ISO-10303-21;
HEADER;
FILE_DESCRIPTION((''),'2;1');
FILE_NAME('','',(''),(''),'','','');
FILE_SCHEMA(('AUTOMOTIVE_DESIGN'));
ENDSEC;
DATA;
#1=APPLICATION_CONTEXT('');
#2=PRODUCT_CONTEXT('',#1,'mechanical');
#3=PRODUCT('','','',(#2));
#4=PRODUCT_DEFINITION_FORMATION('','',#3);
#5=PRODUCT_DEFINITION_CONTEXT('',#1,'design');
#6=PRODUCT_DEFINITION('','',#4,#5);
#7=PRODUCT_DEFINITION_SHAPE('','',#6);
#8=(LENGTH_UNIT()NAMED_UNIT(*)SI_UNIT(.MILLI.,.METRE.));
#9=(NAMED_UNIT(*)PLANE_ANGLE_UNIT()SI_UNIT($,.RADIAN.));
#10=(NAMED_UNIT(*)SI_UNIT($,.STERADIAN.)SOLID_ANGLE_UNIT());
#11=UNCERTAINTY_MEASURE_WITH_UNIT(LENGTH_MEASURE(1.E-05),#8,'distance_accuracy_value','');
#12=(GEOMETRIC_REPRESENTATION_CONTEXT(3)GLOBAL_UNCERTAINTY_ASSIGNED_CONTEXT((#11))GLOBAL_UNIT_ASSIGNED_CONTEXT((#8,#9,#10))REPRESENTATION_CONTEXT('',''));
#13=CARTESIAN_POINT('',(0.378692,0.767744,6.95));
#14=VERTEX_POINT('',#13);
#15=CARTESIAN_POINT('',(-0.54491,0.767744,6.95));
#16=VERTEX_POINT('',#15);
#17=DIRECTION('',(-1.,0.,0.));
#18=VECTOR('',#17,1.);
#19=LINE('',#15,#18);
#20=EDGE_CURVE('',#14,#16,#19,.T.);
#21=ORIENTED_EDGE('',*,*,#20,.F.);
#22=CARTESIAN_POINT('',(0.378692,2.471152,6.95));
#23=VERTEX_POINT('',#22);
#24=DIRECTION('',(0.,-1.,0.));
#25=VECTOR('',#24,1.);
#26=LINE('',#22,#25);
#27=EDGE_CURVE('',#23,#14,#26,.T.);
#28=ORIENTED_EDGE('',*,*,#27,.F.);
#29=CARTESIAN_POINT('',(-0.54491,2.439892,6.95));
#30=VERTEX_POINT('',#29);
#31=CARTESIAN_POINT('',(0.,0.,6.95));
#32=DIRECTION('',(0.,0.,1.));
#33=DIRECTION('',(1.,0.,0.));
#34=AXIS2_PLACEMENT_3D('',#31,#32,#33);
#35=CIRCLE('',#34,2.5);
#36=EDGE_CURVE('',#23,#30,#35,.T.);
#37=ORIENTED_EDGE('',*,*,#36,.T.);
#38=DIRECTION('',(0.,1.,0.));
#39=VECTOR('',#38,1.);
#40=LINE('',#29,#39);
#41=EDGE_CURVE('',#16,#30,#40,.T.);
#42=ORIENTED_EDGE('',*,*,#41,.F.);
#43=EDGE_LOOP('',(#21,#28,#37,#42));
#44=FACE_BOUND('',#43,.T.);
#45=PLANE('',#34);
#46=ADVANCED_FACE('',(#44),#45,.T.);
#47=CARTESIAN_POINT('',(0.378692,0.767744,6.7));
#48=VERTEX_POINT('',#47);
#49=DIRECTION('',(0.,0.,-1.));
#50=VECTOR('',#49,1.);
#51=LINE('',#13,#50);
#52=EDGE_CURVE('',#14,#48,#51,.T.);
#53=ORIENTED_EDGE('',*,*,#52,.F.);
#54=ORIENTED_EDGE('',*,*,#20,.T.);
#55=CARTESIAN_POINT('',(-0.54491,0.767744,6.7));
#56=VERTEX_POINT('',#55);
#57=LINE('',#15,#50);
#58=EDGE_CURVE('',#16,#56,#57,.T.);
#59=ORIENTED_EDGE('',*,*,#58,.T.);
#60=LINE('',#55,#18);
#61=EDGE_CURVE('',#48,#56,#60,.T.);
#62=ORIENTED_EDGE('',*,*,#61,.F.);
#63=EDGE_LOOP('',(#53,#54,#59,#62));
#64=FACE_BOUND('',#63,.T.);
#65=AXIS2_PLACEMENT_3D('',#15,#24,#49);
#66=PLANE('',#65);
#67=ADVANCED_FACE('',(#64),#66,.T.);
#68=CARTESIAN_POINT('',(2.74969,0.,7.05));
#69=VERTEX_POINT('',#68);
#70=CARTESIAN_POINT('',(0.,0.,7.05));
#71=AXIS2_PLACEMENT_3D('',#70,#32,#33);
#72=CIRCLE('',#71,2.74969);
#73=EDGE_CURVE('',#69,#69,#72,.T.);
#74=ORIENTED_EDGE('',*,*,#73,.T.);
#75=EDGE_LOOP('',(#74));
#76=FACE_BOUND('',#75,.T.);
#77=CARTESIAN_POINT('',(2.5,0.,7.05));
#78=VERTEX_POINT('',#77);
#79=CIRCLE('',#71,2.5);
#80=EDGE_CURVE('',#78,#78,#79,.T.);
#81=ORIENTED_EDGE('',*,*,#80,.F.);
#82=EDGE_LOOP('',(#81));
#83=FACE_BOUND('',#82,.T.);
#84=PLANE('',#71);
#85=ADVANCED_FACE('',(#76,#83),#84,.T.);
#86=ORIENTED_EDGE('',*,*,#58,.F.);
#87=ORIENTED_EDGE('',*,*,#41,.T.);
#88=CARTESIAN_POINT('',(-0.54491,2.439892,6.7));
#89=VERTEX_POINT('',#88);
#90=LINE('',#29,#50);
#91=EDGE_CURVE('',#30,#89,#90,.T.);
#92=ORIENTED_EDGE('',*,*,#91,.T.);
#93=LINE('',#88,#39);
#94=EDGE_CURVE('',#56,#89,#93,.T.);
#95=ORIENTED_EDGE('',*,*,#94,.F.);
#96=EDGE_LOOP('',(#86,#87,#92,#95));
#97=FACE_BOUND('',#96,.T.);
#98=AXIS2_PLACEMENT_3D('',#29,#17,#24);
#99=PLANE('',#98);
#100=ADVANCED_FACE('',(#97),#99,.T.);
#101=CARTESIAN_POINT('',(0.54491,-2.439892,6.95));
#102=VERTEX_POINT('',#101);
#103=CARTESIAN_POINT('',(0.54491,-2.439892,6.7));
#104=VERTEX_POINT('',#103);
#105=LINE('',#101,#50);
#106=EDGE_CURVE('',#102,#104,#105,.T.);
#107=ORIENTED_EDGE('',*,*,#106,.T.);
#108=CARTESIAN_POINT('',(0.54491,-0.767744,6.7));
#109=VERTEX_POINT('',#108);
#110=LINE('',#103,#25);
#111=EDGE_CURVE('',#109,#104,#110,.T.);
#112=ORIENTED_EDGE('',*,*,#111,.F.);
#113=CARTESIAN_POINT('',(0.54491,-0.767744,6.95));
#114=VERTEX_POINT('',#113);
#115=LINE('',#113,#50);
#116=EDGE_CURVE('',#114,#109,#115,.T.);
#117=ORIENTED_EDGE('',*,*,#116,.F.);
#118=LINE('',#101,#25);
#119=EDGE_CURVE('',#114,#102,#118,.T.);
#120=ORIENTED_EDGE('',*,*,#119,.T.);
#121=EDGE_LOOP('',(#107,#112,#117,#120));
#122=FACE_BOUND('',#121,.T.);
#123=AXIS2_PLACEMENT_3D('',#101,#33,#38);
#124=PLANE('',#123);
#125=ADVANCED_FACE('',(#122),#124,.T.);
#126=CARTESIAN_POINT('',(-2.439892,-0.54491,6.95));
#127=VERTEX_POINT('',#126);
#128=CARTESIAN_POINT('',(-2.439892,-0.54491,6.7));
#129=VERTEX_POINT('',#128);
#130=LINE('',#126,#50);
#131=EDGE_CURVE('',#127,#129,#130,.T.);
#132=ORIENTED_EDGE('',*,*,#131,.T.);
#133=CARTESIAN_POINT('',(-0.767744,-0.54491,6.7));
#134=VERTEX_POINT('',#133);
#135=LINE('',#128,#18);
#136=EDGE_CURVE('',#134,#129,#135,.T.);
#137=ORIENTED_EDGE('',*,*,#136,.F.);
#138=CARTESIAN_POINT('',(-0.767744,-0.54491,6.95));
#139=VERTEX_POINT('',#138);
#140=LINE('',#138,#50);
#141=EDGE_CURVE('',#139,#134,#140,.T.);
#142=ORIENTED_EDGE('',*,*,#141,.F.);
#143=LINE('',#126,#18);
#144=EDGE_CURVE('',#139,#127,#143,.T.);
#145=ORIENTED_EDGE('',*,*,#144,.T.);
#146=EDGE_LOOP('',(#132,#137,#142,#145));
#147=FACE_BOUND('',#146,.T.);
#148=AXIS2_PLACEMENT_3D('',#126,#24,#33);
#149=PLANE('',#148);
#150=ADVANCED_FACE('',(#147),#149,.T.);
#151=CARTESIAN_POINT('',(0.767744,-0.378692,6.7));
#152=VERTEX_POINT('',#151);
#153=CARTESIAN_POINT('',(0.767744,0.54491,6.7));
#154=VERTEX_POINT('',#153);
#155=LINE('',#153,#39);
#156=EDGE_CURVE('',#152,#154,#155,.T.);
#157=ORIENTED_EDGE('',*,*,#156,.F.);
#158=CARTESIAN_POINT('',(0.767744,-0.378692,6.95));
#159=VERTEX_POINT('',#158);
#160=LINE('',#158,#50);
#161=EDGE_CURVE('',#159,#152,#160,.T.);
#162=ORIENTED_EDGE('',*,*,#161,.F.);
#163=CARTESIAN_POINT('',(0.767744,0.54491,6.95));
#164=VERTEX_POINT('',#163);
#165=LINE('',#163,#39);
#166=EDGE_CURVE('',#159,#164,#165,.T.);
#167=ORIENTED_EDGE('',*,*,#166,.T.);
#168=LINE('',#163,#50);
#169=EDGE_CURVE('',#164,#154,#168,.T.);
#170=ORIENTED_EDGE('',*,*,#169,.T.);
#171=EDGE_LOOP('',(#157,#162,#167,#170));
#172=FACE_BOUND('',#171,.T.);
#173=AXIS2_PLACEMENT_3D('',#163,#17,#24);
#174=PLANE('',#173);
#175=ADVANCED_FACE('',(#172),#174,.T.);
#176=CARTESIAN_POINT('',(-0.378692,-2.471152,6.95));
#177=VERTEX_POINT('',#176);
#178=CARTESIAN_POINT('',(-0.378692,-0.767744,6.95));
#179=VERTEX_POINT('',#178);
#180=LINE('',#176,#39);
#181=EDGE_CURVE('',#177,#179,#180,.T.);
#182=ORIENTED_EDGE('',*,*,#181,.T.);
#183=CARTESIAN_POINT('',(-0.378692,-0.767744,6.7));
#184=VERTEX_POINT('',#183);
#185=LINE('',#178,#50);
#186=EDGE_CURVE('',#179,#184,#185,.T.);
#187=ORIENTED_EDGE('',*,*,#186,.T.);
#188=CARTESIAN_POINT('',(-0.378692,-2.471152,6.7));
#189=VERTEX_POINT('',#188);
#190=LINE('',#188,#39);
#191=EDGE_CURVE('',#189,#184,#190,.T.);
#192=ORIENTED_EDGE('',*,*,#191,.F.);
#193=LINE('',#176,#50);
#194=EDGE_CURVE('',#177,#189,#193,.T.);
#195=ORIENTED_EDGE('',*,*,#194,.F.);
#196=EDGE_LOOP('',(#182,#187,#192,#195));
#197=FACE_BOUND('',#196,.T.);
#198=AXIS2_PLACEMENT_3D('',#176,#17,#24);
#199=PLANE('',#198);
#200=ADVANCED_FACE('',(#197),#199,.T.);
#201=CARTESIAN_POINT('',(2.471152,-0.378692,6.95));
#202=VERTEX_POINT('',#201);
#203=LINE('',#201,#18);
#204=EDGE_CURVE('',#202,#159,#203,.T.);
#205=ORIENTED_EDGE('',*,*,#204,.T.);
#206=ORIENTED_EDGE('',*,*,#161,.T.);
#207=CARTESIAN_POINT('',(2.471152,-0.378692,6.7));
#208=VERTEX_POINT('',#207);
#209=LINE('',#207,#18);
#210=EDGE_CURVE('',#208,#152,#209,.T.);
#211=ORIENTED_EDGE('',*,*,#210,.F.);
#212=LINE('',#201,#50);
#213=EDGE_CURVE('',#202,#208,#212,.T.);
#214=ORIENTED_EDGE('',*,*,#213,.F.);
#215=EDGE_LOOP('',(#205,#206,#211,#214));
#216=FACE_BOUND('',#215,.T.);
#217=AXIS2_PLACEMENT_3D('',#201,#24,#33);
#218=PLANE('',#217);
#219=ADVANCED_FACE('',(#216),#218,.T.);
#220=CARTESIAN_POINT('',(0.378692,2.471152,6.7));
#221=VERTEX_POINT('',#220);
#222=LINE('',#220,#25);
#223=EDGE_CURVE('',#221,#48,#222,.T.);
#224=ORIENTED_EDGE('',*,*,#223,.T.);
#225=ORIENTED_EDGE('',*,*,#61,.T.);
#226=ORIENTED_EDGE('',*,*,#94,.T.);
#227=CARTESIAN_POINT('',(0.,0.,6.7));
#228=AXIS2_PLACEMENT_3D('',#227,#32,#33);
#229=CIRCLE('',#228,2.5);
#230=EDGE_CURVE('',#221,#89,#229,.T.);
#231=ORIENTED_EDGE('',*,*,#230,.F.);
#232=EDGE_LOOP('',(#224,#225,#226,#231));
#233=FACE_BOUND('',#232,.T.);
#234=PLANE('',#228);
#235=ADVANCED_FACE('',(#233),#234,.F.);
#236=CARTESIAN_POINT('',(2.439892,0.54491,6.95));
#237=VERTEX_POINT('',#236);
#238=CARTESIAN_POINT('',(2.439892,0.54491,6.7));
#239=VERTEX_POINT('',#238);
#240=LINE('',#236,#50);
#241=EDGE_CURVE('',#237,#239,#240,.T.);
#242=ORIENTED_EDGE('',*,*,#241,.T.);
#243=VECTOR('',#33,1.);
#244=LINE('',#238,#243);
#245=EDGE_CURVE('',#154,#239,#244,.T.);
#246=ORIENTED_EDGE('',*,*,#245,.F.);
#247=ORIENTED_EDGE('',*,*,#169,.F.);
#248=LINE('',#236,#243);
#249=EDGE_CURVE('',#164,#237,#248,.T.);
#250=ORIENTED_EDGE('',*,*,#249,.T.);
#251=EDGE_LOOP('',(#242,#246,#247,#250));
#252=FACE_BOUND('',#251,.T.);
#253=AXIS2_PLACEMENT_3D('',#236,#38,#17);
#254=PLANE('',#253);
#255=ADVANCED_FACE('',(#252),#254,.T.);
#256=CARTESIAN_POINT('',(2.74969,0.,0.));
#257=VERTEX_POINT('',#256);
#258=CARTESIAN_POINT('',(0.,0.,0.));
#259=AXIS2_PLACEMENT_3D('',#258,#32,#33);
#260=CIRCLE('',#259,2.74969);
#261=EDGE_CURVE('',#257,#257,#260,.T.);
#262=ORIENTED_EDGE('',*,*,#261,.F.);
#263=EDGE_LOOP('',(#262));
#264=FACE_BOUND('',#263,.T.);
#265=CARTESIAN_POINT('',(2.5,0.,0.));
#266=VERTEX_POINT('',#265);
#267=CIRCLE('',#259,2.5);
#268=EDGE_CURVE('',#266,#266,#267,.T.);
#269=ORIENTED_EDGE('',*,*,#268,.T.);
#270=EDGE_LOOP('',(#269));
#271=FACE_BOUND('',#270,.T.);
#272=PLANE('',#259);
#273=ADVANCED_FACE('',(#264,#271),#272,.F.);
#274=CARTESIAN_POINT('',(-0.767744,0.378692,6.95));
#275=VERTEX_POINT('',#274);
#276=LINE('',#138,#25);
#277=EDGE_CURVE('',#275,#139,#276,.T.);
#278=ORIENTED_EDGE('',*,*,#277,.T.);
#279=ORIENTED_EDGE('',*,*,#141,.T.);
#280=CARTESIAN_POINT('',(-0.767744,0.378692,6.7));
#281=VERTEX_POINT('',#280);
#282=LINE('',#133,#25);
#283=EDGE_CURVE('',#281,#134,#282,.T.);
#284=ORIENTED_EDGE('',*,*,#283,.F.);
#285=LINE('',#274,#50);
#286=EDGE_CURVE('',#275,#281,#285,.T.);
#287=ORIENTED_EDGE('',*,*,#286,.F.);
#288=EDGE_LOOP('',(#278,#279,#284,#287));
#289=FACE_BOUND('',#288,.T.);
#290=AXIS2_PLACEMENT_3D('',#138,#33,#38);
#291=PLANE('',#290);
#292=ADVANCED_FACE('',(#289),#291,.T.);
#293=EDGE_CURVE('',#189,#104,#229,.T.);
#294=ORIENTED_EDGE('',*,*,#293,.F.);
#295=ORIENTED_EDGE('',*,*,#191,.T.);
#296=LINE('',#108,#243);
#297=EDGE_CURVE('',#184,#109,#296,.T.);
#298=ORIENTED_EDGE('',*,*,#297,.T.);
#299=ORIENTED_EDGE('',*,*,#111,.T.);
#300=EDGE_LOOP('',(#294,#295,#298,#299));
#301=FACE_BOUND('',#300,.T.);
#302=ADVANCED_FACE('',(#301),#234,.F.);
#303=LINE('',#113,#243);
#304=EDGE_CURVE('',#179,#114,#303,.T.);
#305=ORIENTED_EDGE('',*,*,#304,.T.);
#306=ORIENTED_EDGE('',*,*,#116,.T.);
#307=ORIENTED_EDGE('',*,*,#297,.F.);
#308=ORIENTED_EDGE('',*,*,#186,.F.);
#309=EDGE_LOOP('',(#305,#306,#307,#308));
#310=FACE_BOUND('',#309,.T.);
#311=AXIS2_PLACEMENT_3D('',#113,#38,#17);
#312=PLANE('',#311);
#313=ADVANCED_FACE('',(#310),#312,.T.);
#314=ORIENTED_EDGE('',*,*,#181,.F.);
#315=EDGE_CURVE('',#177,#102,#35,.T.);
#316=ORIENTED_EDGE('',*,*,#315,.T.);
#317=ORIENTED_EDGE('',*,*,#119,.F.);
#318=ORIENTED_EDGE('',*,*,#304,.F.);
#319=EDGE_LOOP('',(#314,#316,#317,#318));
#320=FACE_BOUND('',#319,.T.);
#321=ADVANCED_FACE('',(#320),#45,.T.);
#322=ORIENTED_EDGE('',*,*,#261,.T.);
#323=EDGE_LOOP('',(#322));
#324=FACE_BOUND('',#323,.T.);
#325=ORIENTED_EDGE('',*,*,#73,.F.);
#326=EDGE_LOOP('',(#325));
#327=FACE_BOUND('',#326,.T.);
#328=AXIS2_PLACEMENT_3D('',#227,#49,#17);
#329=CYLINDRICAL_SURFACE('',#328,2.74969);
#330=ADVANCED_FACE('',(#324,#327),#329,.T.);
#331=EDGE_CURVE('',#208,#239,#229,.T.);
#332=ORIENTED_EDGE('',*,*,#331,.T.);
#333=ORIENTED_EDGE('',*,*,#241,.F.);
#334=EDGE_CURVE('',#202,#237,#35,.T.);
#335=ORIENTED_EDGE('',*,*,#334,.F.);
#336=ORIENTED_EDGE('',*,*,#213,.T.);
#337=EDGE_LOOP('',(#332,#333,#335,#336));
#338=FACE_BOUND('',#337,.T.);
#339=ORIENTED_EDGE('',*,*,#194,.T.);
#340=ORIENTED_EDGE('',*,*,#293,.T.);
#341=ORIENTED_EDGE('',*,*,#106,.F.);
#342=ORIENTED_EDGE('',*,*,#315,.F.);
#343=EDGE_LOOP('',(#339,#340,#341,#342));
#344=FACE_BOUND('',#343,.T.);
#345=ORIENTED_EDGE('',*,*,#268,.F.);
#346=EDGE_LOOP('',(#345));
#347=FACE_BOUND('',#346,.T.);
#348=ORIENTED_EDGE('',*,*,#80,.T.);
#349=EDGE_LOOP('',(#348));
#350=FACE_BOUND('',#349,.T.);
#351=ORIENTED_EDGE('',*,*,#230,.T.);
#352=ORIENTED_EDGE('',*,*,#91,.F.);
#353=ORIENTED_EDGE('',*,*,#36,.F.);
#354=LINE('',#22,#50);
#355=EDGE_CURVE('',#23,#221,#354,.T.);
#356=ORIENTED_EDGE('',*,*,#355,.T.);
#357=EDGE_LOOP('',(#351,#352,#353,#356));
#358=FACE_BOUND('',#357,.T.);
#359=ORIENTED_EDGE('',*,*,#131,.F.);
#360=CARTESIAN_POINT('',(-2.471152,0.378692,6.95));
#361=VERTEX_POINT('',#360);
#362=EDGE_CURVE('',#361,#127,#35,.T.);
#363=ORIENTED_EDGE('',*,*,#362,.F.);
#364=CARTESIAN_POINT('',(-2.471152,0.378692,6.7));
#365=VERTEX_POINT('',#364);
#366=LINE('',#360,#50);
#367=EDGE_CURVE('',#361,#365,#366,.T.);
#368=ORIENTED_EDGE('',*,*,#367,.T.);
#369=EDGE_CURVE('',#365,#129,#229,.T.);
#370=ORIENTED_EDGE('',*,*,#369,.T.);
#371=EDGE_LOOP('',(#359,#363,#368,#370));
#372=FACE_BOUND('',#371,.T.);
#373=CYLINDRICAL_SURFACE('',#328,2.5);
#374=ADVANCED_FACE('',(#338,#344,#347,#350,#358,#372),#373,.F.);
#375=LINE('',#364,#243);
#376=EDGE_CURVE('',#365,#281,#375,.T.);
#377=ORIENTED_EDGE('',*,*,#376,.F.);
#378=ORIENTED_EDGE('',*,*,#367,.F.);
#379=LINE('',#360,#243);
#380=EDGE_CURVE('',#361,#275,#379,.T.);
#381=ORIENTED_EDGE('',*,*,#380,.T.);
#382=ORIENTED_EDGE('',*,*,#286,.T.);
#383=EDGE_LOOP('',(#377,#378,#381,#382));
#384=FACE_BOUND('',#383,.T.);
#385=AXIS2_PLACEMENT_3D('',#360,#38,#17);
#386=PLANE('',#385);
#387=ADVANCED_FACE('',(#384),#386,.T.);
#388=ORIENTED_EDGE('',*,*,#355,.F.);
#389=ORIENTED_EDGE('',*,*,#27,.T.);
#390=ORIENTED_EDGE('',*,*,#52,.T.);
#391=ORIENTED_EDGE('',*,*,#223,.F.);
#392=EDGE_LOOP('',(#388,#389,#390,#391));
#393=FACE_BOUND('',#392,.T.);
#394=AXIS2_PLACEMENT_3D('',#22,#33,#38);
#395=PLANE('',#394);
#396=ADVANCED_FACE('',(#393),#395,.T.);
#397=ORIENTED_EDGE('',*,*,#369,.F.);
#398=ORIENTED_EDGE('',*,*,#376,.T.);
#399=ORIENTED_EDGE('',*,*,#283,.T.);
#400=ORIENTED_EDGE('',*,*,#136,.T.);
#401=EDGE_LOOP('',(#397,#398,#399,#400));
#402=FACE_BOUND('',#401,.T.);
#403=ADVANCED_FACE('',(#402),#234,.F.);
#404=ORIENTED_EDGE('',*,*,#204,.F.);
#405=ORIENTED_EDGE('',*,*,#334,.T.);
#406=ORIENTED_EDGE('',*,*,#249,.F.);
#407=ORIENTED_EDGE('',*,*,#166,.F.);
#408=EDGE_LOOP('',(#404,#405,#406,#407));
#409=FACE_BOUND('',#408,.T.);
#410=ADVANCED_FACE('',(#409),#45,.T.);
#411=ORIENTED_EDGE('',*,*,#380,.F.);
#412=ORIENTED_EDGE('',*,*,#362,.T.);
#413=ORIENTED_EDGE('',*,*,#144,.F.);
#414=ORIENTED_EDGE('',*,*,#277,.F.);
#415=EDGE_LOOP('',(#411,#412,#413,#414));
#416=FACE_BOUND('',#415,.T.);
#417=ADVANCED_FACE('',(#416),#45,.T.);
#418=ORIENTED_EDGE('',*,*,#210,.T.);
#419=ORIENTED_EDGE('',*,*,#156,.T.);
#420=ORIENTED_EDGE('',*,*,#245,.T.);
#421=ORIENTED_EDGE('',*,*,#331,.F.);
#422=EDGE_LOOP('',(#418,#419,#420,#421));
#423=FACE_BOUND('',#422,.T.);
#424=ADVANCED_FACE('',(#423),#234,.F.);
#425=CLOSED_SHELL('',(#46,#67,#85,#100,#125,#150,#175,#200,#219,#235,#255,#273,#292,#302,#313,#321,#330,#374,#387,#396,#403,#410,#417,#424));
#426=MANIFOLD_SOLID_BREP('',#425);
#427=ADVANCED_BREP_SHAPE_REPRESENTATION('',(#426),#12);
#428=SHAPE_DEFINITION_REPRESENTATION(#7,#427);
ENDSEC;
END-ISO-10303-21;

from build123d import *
from build123d.topology import SkipClean

# Parameters (mm, degrees)
ESQUISSE1_R        = 2.749689511
ESQUISSE1_R_2      = 2.5
BOSS_EXTRU_1_DEPTH = 6.7
ESQUISSE2_R        = 2.749689511
BOSS_EXTRU_2_DEPTH = 0.25
ESQUISSE3_R        = 2.749689511
ESQUISSE3_R_2      = 2.5
BOSS_EXTRU_4_DEPTH = 0.1


with BuildPart() as part:
    # Esquisse1 → Boss.-Extru.1 (new body)
    with BuildSketch(Plane.XY):
        Circle(ESQUISSE1_R)
        Circle(ESQUISSE1_R_2, mode=Mode.SUBTRACT)
    extrude(amount=BOSS_EXTRU_1_DEPTH)

    # Esquisse2 → Boss.-Extru.2 (add)
    with SkipClean():  # the faces are left unmerged after this step: merging them gives an invalid solid
        with BuildSketch(Plane.XY.offset(6.7)):
            Circle(ESQUISSE2_R)
            with BuildLine():
                Line((2.439891921, 0.544910465), (0.767744305, 0.544910465))
                Line((0.767744305, 0.544910465), (0.767744305, -0.378691706))
                Line((0.767744305, -0.378691706), (2.471152078, -0.378691706))
                ThreePointArc((2.471152078, -0.378691706), (1.826552736, -1.70695785), (0.544910465, -2.439891921))
                Line((0.544910465, -2.439891921), (0.544910465, -0.767744305))
                Line((0.544910465, -0.767744305), (-0.378691706, -0.767744305))
                Line((-0.378691706, -0.767744305), (-0.378691706, -2.471152078))
                ThreePointArc((-0.378691706, -2.471152078), (-1.70695785, -1.826552736), (-2.439891921, -0.544910465))
                Line((-2.439891921, -0.544910465), (-0.767744305, -0.544910465))
                Line((-0.767744305, -0.544910465), (-0.767744305, 0.378691706))
                Line((-0.767744305, 0.378691706), (-2.471152078, 0.378691706))
                ThreePointArc((-2.471152078, 0.378691706), (-1.826552736, 1.70695785), (-0.544910465, 2.439891921))
                Line((-0.544910465, 2.439891921), (-0.544910465, 0.767744305))
                Line((-0.544910465, 0.767744305), (0.378691706, 0.767744305))
                Line((0.378691706, 0.767744305), (0.378691706, 2.471152078))
                ThreePointArc((0.378691706, 2.471152078), (1.70695785, 1.826552736), (2.439891921, 0.544910465))
            make_face(mode=Mode.SUBTRACT)
        extrude(amount=BOSS_EXTRU_2_DEPTH)

    # Esquisse3 → Boss.-Extru.4 (add)
    with SkipClean():  # the faces are left unmerged after this step: merging them gives an invalid solid
        with BuildSketch(Plane.XY.offset(6.95)):
            Circle(ESQUISSE3_R)
            Circle(ESQUISSE3_R_2, mode=Mode.SUBTRACT)
        extrude(amount=BOSS_EXTRU_4_DEPTH)


solid = part.part
